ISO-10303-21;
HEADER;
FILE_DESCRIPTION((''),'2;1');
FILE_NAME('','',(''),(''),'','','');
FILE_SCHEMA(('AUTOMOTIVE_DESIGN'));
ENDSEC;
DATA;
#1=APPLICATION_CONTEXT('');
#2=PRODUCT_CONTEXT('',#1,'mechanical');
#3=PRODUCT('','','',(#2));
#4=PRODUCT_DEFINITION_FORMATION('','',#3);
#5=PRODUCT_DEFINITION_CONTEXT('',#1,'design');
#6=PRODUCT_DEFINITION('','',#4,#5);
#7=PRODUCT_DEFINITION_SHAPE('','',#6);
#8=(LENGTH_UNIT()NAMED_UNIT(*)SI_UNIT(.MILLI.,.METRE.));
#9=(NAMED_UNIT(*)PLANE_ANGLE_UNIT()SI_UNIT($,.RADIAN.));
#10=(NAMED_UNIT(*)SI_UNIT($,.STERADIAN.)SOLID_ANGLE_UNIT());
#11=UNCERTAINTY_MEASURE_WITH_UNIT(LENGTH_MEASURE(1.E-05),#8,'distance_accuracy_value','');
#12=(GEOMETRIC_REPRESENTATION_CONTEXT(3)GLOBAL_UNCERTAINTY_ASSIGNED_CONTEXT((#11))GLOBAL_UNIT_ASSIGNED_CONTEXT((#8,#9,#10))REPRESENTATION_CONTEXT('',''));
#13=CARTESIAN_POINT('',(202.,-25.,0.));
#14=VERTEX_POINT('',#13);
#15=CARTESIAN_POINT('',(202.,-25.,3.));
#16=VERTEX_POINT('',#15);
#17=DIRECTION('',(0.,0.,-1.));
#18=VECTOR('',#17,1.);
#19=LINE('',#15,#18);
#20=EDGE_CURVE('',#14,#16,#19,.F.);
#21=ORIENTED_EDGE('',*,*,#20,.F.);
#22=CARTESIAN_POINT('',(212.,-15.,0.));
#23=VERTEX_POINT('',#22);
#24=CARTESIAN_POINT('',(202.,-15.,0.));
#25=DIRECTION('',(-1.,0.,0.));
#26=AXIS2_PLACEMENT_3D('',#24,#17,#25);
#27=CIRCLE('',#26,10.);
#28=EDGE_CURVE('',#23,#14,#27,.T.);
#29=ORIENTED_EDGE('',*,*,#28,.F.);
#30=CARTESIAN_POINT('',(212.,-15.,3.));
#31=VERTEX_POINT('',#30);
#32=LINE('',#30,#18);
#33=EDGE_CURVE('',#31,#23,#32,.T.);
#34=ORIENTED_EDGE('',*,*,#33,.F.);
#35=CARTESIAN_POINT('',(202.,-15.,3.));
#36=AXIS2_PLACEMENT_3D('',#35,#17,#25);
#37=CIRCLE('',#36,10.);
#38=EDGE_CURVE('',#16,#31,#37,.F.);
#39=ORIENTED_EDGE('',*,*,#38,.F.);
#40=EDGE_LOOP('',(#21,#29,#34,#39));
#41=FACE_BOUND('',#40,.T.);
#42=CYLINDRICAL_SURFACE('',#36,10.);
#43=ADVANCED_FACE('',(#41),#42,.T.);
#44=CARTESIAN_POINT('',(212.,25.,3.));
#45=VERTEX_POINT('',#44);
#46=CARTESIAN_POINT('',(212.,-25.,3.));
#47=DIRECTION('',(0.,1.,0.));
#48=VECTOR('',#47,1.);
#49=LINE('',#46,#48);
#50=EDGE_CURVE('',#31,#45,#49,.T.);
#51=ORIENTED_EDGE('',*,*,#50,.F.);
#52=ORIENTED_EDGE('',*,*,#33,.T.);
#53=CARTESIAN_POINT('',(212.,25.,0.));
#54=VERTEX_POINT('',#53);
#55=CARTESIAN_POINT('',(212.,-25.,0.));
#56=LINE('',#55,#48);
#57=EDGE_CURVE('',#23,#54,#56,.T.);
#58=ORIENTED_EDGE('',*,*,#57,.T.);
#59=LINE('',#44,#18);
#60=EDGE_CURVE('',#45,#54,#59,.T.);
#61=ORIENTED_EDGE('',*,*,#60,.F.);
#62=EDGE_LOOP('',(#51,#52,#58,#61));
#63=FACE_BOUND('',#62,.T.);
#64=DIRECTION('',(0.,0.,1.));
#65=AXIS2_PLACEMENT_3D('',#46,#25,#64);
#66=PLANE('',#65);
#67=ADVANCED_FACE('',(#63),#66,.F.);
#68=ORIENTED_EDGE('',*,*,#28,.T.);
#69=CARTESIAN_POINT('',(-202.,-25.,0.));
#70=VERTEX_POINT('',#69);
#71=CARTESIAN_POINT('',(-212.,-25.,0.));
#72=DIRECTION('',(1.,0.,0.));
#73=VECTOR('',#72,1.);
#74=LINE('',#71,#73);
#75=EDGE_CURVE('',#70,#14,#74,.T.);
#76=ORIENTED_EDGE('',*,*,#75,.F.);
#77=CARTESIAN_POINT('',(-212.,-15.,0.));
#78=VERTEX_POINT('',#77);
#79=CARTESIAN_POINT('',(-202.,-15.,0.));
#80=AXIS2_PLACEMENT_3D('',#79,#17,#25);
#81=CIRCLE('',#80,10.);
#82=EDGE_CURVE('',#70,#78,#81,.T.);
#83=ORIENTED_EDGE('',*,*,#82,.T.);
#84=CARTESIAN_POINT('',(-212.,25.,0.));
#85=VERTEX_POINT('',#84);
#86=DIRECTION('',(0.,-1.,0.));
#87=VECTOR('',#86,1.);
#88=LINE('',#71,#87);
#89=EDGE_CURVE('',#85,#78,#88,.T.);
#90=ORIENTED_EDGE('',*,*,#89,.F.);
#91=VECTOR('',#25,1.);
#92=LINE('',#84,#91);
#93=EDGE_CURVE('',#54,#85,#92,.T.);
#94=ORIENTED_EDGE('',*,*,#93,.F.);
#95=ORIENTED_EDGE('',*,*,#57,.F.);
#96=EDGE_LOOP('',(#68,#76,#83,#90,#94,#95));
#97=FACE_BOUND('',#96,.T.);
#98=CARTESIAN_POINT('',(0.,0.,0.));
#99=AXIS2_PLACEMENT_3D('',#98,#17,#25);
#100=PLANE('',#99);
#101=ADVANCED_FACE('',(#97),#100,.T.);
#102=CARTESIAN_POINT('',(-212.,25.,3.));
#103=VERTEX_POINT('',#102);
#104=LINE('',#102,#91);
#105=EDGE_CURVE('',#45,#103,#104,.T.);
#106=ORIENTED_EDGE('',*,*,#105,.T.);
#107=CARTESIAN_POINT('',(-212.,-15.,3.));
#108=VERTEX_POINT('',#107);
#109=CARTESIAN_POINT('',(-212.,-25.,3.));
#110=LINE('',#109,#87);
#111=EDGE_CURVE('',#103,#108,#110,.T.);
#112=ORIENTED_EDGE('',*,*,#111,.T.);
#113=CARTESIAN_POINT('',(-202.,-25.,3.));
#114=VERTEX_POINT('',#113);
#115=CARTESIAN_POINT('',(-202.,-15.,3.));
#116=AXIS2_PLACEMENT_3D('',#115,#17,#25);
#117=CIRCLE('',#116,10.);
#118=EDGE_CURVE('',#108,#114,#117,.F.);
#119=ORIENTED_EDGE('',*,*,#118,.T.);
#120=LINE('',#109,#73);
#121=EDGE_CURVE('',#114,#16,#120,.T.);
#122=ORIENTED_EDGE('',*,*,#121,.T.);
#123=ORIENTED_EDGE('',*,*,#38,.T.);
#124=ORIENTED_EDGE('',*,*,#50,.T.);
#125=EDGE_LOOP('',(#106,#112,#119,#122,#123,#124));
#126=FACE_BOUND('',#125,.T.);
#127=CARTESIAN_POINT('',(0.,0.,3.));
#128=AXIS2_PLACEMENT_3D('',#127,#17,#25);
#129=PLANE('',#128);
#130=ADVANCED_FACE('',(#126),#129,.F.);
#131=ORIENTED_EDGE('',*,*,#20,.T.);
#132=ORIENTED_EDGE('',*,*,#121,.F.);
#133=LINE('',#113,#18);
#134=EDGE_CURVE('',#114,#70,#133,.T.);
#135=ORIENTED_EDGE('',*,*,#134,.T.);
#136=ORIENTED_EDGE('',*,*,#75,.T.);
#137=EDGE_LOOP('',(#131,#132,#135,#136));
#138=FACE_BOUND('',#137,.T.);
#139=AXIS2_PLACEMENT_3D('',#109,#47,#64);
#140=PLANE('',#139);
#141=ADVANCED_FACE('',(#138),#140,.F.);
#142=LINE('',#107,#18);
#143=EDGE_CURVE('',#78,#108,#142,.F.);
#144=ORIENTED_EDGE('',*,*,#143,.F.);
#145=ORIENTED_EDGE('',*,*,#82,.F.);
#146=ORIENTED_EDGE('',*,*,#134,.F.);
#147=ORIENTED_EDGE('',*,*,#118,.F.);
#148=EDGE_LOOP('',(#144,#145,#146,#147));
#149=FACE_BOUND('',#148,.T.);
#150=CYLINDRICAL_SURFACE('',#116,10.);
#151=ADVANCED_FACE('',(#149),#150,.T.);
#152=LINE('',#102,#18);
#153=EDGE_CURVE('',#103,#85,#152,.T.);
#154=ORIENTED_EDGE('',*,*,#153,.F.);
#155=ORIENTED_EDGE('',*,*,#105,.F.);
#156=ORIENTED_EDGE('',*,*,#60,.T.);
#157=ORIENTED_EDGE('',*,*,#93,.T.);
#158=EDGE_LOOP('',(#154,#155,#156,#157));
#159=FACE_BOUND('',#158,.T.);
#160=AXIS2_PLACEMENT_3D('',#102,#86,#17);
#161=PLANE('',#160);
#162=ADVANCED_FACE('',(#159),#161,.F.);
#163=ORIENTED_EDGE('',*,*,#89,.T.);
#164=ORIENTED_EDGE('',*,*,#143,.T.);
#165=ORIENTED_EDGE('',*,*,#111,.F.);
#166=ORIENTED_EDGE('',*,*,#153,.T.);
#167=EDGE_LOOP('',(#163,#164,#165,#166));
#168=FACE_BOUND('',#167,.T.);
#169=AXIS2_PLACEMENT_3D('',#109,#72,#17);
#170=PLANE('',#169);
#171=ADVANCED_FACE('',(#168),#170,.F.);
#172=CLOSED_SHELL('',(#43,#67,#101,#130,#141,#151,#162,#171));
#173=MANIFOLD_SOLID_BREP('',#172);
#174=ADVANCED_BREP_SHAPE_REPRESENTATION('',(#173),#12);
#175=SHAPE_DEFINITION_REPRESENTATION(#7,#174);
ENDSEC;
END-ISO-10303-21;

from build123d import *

# Parameters (mm, degrees)
SKETCH_1_W      = 424
SKETCH_1_H      = 50
EXTRUDE_1_DEPTH = 3
FILLET_1_R      = 10


with BuildPart() as part:
    # Эскиз1 → Бобышка-Вытянуть1 (new body)
    with BuildSketch(Plane.XY):
        Rectangle(SKETCH_1_W, SKETCH_1_H)
    extrude(amount=EXTRUDE_1_DEPTH)

    # Скругление1
    fillet_1_edges = [part.edges().sort_by_distance(p)[0] for p in [
        (212, -25, 1.5),
        (-212, -25, 1.5),
    ]]
    fillet(fillet_1_edges, radius=FILLET_1_R)


solid = part.part
